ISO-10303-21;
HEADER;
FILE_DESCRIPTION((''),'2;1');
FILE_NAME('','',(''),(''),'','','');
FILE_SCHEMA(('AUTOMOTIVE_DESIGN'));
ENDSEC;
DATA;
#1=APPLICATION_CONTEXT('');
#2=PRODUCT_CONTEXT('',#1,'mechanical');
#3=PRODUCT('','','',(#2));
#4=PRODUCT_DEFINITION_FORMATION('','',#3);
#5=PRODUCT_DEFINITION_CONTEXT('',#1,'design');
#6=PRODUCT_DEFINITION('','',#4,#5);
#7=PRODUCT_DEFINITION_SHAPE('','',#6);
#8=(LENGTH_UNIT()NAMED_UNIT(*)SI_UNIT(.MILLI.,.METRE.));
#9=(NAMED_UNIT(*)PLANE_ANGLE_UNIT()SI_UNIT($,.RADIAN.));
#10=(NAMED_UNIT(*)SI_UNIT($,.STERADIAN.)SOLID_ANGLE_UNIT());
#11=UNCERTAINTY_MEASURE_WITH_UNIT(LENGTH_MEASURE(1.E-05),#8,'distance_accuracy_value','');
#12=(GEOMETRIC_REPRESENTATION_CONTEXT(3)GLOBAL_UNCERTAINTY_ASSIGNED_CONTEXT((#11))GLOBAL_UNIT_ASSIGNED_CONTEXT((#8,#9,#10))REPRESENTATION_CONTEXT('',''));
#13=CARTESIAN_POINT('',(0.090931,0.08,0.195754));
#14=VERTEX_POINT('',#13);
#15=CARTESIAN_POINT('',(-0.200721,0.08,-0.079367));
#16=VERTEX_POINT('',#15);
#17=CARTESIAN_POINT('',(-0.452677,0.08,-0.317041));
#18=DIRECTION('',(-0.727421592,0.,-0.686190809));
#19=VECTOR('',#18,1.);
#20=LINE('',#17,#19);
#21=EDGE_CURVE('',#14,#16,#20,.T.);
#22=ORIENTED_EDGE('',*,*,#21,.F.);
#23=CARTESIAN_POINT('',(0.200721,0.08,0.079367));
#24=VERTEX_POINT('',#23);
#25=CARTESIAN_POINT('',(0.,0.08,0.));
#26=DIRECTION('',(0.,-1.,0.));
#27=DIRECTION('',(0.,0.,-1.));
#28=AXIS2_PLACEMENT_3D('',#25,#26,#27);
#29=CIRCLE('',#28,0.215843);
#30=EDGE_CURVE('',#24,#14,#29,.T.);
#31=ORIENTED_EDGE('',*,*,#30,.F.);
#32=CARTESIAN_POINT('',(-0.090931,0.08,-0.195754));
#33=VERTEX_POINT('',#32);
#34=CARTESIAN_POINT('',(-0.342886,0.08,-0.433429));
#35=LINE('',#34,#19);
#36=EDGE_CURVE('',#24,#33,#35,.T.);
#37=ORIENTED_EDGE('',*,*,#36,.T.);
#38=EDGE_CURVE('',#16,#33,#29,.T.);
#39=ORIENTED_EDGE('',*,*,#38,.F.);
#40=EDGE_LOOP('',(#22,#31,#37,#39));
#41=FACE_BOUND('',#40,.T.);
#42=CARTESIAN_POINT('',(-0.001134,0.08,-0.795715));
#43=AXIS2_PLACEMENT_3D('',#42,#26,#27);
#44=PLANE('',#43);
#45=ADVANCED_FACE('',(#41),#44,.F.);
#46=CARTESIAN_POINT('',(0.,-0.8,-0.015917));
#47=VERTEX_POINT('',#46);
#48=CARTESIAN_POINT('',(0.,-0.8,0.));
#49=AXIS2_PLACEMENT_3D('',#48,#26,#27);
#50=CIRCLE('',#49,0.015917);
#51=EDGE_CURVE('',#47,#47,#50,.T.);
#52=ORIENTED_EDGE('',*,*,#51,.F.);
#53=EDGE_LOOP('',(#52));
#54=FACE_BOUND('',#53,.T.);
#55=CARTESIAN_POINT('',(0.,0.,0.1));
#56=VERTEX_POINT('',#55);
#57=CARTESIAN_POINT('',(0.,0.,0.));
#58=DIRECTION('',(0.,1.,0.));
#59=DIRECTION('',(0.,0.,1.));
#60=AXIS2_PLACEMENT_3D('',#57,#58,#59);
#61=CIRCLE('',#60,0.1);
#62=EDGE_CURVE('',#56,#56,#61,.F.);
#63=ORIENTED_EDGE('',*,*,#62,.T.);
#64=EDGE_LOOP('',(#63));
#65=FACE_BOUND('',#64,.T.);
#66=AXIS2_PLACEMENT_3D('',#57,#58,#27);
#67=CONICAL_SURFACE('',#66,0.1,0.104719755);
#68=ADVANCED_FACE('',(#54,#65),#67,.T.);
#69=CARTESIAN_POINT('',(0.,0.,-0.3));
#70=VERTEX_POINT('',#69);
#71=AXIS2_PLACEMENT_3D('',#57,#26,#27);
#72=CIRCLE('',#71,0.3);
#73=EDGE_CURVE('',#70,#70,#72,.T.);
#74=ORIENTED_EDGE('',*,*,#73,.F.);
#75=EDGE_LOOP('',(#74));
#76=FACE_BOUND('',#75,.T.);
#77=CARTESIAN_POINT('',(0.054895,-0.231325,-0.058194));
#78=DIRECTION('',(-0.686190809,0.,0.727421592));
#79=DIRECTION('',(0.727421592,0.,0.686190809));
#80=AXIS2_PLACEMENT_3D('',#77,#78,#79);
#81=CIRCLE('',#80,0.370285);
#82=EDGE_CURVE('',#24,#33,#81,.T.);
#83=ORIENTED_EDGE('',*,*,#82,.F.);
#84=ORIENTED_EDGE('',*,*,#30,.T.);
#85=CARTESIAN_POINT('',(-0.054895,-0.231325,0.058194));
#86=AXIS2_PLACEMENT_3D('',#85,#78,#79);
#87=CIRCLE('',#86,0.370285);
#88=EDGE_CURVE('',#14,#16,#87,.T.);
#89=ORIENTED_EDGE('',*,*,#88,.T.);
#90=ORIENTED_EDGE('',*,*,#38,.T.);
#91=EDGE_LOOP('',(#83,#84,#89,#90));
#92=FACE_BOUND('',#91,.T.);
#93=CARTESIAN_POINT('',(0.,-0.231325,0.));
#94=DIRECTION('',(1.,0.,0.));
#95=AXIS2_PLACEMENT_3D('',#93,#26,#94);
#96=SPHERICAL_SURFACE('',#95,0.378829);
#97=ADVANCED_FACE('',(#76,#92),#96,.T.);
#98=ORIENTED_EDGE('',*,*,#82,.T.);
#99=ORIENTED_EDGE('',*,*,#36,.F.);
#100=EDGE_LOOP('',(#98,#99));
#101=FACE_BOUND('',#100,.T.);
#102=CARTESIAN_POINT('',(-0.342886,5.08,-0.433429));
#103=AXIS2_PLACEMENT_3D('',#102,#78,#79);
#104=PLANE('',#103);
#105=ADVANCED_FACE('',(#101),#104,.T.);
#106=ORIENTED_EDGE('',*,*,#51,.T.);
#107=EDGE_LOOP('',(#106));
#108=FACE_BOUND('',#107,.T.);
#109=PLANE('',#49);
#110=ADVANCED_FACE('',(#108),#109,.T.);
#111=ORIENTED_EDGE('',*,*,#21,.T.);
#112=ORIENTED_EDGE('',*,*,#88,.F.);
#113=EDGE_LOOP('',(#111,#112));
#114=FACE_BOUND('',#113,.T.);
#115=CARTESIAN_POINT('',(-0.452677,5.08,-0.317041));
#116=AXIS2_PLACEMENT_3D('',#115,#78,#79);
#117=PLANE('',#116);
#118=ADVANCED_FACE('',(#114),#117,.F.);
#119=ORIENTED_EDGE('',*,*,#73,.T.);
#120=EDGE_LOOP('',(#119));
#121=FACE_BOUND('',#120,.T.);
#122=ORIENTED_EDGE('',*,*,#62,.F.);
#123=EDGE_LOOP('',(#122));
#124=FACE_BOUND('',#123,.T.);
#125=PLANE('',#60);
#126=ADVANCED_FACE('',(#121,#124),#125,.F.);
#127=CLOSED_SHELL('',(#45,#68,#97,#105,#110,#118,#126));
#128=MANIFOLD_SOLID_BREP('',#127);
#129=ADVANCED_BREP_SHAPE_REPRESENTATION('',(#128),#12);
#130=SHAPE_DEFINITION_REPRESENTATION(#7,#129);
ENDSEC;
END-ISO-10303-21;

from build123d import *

# Parameters (mm, degrees)
SKETCH_3_R          = 0.1
EXTRUDE_1_DEPTH     = 0.8
EXTRUDE_1_TAPER     = 6
CUT_EXTRUDE_1_DEPTH = 5


with BuildPart() as part:
    # 草图2 one side → 旋转1 (revolve)
    with BuildSketch(Plane.XY):
        with BuildLine():
            Line((0, 0), (0, 0.147503795))
            ThreePointArc((0, 0.147503795), (-0.167150658, 0.108633694), (-0.3, 0))
            Line((-0.3, 0), (0, 0))
        make_face()
    revolve(axis=Axis((0, -0.078044802, 0), (0, 1, 0)))

    # 草图3 → 凸台-拉伸1 (add)
    with BuildSketch(Plane.XZ):
        Circle(SKETCH_3_R)
    extrude(amount=EXTRUDE_1_DEPTH, taper=EXTRUDE_1_TAPER)

    # 草图8 → 切除-拉伸1 (cut)
    with BuildSketch(Plane.XZ.offset(-0.08)):
        Polygon((-0.248199097, -0.234130992), (0, 0), (0.251445487, 0.237193374), (0.196550222, 0.295387102), (-0.054895265, 0.058193727), (-0.303094362, -0.175937265), align=None)
        Polygon((0.251445487, 0.237193374), (0, 0), (-0.248199097, -0.234130992), (-0.193303832, -0.29232472), (0.054895265, -0.058193727), (0.306340752, 0.178999647), align=None)
    extrude(amount=-CUT_EXTRUDE_1_DEPTH, mode=Mode.SUBTRACT)


solid = part.part
